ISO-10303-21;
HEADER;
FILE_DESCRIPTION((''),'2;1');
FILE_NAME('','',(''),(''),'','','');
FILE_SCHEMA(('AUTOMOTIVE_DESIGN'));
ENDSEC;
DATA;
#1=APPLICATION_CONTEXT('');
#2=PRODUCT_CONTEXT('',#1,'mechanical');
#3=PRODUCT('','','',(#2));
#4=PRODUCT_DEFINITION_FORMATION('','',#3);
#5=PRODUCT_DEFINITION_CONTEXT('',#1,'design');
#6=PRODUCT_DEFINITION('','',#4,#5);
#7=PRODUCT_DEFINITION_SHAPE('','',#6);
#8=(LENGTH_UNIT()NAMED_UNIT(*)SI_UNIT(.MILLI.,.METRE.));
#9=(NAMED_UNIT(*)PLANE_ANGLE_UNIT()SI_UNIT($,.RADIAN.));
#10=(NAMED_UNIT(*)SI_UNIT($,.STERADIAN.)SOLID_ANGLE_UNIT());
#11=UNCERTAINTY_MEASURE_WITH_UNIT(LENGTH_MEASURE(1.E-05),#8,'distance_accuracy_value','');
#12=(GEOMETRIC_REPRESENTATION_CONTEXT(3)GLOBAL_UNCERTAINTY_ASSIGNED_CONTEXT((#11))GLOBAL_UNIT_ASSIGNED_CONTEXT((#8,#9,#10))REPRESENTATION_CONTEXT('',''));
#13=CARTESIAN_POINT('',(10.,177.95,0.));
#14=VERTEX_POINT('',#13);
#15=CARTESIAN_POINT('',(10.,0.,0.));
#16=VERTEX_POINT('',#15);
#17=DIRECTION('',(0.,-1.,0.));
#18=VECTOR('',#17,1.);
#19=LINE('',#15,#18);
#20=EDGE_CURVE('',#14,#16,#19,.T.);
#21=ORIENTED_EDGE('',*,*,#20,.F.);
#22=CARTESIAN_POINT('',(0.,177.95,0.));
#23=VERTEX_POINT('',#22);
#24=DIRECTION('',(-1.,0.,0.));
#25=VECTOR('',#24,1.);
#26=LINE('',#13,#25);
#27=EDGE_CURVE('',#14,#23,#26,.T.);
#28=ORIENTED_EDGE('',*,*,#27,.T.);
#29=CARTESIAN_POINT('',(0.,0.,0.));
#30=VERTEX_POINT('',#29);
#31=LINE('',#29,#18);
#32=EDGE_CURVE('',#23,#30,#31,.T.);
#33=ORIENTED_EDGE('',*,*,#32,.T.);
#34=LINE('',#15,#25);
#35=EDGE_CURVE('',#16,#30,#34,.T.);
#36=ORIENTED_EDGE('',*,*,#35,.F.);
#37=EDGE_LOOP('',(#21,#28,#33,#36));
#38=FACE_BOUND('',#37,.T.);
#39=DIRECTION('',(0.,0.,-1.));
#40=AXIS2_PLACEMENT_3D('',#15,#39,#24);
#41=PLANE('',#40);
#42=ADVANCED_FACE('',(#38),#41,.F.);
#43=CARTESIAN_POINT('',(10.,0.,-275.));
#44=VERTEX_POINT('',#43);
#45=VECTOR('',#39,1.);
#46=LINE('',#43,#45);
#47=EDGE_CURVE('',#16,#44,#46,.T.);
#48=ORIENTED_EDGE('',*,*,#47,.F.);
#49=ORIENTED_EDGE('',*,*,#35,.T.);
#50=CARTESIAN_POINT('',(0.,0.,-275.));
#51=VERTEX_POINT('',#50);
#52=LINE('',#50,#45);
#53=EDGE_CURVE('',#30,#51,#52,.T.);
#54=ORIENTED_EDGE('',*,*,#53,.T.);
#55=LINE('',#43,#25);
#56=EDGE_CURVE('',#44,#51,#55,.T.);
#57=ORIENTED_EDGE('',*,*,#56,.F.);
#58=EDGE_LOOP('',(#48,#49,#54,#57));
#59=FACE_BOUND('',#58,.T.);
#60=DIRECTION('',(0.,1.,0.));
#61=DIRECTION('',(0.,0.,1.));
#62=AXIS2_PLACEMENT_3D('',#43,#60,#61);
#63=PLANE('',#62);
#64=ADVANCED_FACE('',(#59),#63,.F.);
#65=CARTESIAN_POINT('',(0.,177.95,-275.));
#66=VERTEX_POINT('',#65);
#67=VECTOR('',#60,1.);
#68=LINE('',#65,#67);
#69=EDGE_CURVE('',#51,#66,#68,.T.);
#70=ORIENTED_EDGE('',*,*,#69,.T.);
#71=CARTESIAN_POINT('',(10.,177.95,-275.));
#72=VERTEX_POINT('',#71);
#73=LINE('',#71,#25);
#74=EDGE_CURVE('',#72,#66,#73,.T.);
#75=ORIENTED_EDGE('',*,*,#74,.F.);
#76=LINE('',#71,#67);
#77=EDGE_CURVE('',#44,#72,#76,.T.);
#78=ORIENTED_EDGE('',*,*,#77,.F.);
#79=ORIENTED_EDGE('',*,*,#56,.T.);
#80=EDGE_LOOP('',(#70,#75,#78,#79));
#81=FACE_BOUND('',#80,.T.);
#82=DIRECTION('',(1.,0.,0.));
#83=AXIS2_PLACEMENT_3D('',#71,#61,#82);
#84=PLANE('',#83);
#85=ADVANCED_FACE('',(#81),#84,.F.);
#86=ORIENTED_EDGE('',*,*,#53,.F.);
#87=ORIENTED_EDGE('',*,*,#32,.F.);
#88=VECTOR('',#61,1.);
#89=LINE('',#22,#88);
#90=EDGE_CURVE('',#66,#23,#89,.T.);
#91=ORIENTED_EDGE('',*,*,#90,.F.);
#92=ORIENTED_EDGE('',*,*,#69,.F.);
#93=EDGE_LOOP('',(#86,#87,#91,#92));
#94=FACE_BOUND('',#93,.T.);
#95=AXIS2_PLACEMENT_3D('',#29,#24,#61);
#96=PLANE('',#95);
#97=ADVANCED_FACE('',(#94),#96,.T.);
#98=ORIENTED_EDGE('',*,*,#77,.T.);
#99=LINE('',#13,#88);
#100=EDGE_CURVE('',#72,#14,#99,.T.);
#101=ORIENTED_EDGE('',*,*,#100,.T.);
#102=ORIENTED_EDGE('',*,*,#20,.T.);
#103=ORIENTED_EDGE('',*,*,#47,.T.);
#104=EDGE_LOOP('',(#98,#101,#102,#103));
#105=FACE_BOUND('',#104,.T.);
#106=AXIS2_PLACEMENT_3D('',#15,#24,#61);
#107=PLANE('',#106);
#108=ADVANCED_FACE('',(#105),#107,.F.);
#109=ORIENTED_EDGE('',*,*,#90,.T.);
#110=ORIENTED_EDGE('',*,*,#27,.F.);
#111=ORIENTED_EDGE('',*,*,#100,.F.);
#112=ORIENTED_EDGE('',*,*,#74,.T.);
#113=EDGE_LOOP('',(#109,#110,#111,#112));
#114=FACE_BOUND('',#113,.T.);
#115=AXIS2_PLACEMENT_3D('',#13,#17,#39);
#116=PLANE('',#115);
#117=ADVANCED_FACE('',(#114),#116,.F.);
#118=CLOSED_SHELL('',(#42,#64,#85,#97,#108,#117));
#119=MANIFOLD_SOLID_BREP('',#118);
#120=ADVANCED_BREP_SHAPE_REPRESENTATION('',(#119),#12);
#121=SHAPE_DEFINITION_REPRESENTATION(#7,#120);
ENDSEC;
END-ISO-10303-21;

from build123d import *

# Parameters (mm, degrees)
IZIM1_W                     = 275
IZIM1_H                     = 177.95
Y_KSEKLIK_EKSTR_ZYON1_DEPTH = 10


with BuildPart() as part:
    # Çizim1 → Yükseklik-Ekstrüzyon1 (new body)
    with BuildSketch(Plane(origin=(0, 0, 0), x_dir=(0, 0, -1), z_dir=(1, 0, 0))):
        with Locations((137.5, 88.975)):
            Rectangle(IZIM1_W, IZIM1_H)
    extrude(amount=Y_KSEKLIK_EKSTR_ZYON1_DEPTH)


solid = part.part
